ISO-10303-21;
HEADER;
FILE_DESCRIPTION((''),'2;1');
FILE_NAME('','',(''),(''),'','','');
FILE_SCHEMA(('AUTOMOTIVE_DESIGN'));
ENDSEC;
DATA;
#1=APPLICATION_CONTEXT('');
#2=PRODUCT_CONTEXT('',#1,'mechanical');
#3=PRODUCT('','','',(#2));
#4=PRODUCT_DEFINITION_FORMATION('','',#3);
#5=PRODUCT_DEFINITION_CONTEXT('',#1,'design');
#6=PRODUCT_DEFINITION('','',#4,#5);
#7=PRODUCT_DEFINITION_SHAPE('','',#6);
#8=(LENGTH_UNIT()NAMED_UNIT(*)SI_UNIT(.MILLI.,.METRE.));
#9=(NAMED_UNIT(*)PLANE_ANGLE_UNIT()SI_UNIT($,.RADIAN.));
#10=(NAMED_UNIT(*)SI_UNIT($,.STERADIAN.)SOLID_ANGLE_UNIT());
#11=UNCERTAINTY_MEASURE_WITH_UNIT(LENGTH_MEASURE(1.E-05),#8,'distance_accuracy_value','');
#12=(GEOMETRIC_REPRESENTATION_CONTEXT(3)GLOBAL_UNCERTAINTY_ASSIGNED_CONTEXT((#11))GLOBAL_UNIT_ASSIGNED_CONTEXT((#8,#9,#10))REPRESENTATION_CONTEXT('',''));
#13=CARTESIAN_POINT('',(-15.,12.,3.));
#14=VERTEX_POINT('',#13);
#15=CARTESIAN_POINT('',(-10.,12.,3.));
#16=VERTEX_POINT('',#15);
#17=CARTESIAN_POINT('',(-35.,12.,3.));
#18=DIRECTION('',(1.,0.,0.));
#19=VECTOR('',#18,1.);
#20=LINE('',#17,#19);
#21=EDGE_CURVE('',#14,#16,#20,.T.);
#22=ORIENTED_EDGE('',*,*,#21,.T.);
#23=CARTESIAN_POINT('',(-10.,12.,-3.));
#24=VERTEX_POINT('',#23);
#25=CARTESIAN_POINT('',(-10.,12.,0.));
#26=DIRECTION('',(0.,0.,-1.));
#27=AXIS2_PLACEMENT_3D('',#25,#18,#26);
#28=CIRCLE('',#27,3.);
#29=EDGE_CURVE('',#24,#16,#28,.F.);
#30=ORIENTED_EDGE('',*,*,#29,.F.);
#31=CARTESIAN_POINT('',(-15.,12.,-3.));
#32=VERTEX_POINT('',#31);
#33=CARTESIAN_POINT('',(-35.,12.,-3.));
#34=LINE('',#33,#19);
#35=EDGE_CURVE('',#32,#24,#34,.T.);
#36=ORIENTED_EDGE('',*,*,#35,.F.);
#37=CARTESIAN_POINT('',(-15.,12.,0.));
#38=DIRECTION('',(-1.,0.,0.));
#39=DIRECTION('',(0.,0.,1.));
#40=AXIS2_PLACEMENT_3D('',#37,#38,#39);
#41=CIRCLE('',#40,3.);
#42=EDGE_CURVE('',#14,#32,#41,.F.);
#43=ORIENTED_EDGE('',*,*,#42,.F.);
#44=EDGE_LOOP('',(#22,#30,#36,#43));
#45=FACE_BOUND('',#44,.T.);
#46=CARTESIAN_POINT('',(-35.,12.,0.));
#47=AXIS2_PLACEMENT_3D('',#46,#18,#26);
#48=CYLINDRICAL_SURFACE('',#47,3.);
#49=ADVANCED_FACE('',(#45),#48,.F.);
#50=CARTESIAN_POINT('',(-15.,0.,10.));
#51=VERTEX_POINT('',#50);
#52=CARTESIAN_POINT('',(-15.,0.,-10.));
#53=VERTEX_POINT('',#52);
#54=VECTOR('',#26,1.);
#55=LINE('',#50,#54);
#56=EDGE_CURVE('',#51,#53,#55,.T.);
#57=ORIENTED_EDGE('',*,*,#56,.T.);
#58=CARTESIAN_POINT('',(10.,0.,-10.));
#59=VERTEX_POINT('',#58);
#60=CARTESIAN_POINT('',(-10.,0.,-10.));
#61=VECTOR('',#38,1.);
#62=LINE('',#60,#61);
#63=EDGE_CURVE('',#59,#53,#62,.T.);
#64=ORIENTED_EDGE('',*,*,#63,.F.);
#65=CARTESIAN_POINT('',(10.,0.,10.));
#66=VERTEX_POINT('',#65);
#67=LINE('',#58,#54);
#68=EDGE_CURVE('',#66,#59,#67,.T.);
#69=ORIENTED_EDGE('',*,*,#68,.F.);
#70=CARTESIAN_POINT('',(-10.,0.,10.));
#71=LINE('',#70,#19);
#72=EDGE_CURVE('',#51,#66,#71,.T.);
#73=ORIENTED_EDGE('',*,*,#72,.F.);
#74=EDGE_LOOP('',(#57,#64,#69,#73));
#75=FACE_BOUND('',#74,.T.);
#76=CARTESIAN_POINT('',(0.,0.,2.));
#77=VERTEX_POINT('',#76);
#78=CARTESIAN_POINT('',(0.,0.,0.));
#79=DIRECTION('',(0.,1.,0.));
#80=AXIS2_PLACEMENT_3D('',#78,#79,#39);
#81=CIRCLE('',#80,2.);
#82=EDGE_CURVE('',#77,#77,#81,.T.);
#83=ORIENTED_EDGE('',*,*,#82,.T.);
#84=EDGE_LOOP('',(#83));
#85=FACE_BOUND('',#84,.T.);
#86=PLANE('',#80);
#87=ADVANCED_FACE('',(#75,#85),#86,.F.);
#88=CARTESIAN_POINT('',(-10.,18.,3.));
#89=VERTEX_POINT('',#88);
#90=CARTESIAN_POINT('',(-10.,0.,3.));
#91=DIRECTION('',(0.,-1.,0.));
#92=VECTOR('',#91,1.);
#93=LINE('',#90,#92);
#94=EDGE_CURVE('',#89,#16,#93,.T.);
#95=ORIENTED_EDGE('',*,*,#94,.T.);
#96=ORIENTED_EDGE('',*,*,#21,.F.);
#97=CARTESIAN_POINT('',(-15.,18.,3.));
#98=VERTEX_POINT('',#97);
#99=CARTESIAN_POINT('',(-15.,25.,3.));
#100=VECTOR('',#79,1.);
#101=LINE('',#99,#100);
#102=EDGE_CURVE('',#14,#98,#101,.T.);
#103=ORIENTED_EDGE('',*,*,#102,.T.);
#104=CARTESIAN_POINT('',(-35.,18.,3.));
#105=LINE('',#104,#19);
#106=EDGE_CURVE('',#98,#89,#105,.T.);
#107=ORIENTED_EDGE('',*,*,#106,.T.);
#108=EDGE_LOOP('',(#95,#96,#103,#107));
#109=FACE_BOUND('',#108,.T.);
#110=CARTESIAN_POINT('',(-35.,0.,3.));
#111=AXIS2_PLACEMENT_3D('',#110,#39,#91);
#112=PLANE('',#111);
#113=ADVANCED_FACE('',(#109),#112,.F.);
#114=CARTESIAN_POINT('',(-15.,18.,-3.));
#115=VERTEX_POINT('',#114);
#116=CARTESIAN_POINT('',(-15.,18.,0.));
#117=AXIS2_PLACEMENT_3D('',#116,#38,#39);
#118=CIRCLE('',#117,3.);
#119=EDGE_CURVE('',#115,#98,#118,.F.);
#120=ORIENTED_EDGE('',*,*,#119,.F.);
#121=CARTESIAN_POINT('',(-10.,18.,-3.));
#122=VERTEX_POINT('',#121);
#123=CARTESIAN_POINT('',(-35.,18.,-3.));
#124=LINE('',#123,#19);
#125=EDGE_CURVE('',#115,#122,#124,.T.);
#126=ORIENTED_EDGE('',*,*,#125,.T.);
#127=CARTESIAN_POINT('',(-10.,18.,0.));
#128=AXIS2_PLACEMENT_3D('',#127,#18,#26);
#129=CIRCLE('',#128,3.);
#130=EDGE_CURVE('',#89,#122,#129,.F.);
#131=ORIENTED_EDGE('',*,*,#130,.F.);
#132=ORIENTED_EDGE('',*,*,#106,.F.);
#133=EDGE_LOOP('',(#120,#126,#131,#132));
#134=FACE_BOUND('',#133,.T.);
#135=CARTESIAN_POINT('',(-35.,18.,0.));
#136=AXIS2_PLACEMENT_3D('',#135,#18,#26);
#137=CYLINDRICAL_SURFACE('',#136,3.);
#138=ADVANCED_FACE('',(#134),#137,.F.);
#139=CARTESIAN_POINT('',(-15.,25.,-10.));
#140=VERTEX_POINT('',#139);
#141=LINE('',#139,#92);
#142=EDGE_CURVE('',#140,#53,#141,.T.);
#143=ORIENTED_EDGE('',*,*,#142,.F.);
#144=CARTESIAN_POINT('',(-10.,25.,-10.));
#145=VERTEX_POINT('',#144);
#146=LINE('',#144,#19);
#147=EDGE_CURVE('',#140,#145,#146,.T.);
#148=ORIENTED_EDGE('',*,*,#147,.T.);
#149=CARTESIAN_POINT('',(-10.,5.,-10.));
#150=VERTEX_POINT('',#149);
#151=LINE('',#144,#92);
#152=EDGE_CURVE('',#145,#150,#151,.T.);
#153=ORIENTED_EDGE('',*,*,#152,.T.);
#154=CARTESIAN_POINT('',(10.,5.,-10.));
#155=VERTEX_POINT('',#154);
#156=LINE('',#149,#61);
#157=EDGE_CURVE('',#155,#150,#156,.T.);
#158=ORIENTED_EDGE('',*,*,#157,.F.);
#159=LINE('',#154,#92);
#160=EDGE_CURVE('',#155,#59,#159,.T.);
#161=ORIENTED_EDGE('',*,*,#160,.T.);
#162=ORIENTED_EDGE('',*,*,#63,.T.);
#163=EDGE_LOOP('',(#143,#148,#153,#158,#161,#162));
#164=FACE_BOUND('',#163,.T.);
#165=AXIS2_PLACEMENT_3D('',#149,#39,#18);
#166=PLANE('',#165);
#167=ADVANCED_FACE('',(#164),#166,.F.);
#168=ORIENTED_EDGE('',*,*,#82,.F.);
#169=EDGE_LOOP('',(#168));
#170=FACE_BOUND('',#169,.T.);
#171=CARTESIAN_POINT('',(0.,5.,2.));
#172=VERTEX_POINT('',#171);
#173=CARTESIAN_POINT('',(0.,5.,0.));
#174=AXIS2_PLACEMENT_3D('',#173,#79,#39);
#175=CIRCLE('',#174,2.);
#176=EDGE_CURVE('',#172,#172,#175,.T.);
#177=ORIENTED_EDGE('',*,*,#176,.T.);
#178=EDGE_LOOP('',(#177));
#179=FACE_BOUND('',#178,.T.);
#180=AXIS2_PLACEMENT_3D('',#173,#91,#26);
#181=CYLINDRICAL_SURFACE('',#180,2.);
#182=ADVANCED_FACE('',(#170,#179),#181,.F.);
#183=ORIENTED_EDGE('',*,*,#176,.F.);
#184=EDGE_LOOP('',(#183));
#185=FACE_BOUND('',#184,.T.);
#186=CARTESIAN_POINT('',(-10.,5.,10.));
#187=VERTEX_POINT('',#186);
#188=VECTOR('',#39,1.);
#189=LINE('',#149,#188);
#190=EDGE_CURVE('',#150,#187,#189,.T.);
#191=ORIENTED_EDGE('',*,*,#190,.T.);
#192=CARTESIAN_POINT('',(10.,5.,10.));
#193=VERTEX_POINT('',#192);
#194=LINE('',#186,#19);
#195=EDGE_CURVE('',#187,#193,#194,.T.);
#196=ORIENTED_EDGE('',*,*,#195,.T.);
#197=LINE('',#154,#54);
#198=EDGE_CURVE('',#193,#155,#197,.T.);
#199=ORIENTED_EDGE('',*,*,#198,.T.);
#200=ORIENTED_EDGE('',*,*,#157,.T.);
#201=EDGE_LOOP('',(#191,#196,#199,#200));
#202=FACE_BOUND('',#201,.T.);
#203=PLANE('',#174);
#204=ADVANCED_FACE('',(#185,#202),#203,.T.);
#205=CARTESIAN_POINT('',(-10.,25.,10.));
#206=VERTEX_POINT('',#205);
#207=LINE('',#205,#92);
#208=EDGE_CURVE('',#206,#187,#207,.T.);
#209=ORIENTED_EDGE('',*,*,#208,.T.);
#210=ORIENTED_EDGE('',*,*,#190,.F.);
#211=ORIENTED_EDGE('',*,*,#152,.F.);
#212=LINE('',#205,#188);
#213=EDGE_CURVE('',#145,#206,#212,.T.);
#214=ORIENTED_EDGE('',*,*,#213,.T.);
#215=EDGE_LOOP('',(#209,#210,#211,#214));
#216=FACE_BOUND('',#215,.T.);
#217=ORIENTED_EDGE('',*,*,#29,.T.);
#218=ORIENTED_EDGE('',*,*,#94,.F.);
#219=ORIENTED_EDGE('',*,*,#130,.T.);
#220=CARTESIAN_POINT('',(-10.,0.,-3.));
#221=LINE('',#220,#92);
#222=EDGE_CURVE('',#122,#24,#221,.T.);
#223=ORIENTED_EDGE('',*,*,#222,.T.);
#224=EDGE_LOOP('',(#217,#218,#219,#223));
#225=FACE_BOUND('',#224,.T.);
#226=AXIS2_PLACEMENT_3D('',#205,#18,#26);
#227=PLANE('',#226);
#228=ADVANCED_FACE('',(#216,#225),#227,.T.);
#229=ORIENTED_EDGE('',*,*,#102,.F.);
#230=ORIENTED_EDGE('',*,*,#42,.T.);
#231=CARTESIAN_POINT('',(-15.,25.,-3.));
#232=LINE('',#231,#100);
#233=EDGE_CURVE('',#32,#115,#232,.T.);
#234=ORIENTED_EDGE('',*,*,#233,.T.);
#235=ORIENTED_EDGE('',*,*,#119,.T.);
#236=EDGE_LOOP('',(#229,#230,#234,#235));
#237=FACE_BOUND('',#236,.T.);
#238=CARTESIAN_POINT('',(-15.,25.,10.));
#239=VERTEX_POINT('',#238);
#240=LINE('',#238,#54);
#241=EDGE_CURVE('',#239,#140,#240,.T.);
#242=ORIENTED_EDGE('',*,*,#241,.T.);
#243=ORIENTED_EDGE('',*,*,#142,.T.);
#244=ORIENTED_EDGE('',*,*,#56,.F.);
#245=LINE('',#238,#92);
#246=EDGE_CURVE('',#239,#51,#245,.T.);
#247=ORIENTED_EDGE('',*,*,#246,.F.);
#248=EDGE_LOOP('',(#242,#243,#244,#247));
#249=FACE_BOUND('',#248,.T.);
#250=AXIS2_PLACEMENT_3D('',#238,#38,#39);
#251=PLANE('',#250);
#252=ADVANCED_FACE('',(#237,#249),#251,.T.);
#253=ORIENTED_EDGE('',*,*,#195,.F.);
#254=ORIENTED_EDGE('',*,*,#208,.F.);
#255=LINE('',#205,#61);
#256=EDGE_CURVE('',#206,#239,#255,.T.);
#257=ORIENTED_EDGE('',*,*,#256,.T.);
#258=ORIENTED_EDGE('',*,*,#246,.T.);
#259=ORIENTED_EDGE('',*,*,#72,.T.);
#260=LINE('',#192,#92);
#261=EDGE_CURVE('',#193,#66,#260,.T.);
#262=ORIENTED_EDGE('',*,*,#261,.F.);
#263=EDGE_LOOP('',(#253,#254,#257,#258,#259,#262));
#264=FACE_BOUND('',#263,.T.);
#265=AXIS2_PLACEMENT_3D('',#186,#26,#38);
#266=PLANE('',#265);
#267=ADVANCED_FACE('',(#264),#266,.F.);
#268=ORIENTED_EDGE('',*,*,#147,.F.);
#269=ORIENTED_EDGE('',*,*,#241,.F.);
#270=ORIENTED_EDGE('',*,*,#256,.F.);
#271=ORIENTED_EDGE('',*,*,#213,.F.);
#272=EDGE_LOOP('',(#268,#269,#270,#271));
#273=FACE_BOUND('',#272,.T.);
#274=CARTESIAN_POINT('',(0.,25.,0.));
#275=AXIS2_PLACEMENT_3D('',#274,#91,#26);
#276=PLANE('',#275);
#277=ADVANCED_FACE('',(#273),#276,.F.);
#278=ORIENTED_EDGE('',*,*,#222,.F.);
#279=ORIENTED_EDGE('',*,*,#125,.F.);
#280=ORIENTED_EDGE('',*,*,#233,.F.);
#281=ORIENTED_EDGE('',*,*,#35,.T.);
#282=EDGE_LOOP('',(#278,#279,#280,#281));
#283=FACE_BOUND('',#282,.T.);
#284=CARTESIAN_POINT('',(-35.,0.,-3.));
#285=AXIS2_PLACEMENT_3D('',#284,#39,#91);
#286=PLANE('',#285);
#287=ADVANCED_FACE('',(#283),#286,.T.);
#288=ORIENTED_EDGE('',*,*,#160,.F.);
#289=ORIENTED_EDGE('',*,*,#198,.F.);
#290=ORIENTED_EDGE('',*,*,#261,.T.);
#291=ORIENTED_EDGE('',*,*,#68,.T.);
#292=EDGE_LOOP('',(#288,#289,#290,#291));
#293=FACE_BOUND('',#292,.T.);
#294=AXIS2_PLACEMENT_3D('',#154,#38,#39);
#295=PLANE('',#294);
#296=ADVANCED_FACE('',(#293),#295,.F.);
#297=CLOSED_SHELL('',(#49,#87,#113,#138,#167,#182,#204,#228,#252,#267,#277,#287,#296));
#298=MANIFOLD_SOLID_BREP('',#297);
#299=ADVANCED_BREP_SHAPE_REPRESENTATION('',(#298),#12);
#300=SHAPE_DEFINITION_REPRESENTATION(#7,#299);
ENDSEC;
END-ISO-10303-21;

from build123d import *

# Parameters (mm, degrees)
SKETCH1_W           = 20
SKETCH1_H           = 20
SKETCH1_R           = 2
BOSS_EXTRUDE1_DEPTH = 5
SKETCH2_W           = 5
SKETCH2_H           = 20
BOSS_EXTRUDE2_DEPTH = 25
SKETCH3_W           = 6
SKETCH3_H           = 6
CUT_EXTRUDE1_DEPTH  = 25


with BuildPart() as part:
    # Sketch1 → Boss-Extrude1 (new body)
    with BuildSketch(Plane(origin=(0, 0, 0), x_dir=(1, 0, 0), z_dir=(0, 1, 0))):
        Rectangle(SKETCH1_W, SKETCH1_H)
        Circle(SKETCH1_R, mode=Mode.SUBTRACT)
    extrude(amount=BOSS_EXTRUDE1_DEPTH)

    # Sketch2 → Boss-Extrude2 (add)
    with BuildSketch(Plane.XZ):
        with Locations((-12.5, 0)):
            Rectangle(SKETCH2_W, SKETCH2_H)
    extrude(amount=-BOSS_EXTRUDE2_DEPTH)

    # Sketch3 → Cut-Extrude1 (cut)
    with BuildSketch(Plane(origin=(-10, 0, 0), x_dir=(0, 0, -1), z_dir=(1, 0, 0))):
        with BuildLine():
            ThreePointArc((-3, 18), (0, 21), (3, 18))
            Line((3, 18), (-3, 18))
        make_face()
        with Locations((0, 15)):
            Rectangle(SKETCH3_W, SKETCH3_H)
        with BuildLine():
            ThreePointArc((3, 12), (0, 9), (-3, 12))
            Line((-3, 12), (3, 12))
        make_face()
    extrude(amount=-CUT_EXTRUDE1_DEPTH, mode=Mode.SUBTRACT)


solid = part.part
